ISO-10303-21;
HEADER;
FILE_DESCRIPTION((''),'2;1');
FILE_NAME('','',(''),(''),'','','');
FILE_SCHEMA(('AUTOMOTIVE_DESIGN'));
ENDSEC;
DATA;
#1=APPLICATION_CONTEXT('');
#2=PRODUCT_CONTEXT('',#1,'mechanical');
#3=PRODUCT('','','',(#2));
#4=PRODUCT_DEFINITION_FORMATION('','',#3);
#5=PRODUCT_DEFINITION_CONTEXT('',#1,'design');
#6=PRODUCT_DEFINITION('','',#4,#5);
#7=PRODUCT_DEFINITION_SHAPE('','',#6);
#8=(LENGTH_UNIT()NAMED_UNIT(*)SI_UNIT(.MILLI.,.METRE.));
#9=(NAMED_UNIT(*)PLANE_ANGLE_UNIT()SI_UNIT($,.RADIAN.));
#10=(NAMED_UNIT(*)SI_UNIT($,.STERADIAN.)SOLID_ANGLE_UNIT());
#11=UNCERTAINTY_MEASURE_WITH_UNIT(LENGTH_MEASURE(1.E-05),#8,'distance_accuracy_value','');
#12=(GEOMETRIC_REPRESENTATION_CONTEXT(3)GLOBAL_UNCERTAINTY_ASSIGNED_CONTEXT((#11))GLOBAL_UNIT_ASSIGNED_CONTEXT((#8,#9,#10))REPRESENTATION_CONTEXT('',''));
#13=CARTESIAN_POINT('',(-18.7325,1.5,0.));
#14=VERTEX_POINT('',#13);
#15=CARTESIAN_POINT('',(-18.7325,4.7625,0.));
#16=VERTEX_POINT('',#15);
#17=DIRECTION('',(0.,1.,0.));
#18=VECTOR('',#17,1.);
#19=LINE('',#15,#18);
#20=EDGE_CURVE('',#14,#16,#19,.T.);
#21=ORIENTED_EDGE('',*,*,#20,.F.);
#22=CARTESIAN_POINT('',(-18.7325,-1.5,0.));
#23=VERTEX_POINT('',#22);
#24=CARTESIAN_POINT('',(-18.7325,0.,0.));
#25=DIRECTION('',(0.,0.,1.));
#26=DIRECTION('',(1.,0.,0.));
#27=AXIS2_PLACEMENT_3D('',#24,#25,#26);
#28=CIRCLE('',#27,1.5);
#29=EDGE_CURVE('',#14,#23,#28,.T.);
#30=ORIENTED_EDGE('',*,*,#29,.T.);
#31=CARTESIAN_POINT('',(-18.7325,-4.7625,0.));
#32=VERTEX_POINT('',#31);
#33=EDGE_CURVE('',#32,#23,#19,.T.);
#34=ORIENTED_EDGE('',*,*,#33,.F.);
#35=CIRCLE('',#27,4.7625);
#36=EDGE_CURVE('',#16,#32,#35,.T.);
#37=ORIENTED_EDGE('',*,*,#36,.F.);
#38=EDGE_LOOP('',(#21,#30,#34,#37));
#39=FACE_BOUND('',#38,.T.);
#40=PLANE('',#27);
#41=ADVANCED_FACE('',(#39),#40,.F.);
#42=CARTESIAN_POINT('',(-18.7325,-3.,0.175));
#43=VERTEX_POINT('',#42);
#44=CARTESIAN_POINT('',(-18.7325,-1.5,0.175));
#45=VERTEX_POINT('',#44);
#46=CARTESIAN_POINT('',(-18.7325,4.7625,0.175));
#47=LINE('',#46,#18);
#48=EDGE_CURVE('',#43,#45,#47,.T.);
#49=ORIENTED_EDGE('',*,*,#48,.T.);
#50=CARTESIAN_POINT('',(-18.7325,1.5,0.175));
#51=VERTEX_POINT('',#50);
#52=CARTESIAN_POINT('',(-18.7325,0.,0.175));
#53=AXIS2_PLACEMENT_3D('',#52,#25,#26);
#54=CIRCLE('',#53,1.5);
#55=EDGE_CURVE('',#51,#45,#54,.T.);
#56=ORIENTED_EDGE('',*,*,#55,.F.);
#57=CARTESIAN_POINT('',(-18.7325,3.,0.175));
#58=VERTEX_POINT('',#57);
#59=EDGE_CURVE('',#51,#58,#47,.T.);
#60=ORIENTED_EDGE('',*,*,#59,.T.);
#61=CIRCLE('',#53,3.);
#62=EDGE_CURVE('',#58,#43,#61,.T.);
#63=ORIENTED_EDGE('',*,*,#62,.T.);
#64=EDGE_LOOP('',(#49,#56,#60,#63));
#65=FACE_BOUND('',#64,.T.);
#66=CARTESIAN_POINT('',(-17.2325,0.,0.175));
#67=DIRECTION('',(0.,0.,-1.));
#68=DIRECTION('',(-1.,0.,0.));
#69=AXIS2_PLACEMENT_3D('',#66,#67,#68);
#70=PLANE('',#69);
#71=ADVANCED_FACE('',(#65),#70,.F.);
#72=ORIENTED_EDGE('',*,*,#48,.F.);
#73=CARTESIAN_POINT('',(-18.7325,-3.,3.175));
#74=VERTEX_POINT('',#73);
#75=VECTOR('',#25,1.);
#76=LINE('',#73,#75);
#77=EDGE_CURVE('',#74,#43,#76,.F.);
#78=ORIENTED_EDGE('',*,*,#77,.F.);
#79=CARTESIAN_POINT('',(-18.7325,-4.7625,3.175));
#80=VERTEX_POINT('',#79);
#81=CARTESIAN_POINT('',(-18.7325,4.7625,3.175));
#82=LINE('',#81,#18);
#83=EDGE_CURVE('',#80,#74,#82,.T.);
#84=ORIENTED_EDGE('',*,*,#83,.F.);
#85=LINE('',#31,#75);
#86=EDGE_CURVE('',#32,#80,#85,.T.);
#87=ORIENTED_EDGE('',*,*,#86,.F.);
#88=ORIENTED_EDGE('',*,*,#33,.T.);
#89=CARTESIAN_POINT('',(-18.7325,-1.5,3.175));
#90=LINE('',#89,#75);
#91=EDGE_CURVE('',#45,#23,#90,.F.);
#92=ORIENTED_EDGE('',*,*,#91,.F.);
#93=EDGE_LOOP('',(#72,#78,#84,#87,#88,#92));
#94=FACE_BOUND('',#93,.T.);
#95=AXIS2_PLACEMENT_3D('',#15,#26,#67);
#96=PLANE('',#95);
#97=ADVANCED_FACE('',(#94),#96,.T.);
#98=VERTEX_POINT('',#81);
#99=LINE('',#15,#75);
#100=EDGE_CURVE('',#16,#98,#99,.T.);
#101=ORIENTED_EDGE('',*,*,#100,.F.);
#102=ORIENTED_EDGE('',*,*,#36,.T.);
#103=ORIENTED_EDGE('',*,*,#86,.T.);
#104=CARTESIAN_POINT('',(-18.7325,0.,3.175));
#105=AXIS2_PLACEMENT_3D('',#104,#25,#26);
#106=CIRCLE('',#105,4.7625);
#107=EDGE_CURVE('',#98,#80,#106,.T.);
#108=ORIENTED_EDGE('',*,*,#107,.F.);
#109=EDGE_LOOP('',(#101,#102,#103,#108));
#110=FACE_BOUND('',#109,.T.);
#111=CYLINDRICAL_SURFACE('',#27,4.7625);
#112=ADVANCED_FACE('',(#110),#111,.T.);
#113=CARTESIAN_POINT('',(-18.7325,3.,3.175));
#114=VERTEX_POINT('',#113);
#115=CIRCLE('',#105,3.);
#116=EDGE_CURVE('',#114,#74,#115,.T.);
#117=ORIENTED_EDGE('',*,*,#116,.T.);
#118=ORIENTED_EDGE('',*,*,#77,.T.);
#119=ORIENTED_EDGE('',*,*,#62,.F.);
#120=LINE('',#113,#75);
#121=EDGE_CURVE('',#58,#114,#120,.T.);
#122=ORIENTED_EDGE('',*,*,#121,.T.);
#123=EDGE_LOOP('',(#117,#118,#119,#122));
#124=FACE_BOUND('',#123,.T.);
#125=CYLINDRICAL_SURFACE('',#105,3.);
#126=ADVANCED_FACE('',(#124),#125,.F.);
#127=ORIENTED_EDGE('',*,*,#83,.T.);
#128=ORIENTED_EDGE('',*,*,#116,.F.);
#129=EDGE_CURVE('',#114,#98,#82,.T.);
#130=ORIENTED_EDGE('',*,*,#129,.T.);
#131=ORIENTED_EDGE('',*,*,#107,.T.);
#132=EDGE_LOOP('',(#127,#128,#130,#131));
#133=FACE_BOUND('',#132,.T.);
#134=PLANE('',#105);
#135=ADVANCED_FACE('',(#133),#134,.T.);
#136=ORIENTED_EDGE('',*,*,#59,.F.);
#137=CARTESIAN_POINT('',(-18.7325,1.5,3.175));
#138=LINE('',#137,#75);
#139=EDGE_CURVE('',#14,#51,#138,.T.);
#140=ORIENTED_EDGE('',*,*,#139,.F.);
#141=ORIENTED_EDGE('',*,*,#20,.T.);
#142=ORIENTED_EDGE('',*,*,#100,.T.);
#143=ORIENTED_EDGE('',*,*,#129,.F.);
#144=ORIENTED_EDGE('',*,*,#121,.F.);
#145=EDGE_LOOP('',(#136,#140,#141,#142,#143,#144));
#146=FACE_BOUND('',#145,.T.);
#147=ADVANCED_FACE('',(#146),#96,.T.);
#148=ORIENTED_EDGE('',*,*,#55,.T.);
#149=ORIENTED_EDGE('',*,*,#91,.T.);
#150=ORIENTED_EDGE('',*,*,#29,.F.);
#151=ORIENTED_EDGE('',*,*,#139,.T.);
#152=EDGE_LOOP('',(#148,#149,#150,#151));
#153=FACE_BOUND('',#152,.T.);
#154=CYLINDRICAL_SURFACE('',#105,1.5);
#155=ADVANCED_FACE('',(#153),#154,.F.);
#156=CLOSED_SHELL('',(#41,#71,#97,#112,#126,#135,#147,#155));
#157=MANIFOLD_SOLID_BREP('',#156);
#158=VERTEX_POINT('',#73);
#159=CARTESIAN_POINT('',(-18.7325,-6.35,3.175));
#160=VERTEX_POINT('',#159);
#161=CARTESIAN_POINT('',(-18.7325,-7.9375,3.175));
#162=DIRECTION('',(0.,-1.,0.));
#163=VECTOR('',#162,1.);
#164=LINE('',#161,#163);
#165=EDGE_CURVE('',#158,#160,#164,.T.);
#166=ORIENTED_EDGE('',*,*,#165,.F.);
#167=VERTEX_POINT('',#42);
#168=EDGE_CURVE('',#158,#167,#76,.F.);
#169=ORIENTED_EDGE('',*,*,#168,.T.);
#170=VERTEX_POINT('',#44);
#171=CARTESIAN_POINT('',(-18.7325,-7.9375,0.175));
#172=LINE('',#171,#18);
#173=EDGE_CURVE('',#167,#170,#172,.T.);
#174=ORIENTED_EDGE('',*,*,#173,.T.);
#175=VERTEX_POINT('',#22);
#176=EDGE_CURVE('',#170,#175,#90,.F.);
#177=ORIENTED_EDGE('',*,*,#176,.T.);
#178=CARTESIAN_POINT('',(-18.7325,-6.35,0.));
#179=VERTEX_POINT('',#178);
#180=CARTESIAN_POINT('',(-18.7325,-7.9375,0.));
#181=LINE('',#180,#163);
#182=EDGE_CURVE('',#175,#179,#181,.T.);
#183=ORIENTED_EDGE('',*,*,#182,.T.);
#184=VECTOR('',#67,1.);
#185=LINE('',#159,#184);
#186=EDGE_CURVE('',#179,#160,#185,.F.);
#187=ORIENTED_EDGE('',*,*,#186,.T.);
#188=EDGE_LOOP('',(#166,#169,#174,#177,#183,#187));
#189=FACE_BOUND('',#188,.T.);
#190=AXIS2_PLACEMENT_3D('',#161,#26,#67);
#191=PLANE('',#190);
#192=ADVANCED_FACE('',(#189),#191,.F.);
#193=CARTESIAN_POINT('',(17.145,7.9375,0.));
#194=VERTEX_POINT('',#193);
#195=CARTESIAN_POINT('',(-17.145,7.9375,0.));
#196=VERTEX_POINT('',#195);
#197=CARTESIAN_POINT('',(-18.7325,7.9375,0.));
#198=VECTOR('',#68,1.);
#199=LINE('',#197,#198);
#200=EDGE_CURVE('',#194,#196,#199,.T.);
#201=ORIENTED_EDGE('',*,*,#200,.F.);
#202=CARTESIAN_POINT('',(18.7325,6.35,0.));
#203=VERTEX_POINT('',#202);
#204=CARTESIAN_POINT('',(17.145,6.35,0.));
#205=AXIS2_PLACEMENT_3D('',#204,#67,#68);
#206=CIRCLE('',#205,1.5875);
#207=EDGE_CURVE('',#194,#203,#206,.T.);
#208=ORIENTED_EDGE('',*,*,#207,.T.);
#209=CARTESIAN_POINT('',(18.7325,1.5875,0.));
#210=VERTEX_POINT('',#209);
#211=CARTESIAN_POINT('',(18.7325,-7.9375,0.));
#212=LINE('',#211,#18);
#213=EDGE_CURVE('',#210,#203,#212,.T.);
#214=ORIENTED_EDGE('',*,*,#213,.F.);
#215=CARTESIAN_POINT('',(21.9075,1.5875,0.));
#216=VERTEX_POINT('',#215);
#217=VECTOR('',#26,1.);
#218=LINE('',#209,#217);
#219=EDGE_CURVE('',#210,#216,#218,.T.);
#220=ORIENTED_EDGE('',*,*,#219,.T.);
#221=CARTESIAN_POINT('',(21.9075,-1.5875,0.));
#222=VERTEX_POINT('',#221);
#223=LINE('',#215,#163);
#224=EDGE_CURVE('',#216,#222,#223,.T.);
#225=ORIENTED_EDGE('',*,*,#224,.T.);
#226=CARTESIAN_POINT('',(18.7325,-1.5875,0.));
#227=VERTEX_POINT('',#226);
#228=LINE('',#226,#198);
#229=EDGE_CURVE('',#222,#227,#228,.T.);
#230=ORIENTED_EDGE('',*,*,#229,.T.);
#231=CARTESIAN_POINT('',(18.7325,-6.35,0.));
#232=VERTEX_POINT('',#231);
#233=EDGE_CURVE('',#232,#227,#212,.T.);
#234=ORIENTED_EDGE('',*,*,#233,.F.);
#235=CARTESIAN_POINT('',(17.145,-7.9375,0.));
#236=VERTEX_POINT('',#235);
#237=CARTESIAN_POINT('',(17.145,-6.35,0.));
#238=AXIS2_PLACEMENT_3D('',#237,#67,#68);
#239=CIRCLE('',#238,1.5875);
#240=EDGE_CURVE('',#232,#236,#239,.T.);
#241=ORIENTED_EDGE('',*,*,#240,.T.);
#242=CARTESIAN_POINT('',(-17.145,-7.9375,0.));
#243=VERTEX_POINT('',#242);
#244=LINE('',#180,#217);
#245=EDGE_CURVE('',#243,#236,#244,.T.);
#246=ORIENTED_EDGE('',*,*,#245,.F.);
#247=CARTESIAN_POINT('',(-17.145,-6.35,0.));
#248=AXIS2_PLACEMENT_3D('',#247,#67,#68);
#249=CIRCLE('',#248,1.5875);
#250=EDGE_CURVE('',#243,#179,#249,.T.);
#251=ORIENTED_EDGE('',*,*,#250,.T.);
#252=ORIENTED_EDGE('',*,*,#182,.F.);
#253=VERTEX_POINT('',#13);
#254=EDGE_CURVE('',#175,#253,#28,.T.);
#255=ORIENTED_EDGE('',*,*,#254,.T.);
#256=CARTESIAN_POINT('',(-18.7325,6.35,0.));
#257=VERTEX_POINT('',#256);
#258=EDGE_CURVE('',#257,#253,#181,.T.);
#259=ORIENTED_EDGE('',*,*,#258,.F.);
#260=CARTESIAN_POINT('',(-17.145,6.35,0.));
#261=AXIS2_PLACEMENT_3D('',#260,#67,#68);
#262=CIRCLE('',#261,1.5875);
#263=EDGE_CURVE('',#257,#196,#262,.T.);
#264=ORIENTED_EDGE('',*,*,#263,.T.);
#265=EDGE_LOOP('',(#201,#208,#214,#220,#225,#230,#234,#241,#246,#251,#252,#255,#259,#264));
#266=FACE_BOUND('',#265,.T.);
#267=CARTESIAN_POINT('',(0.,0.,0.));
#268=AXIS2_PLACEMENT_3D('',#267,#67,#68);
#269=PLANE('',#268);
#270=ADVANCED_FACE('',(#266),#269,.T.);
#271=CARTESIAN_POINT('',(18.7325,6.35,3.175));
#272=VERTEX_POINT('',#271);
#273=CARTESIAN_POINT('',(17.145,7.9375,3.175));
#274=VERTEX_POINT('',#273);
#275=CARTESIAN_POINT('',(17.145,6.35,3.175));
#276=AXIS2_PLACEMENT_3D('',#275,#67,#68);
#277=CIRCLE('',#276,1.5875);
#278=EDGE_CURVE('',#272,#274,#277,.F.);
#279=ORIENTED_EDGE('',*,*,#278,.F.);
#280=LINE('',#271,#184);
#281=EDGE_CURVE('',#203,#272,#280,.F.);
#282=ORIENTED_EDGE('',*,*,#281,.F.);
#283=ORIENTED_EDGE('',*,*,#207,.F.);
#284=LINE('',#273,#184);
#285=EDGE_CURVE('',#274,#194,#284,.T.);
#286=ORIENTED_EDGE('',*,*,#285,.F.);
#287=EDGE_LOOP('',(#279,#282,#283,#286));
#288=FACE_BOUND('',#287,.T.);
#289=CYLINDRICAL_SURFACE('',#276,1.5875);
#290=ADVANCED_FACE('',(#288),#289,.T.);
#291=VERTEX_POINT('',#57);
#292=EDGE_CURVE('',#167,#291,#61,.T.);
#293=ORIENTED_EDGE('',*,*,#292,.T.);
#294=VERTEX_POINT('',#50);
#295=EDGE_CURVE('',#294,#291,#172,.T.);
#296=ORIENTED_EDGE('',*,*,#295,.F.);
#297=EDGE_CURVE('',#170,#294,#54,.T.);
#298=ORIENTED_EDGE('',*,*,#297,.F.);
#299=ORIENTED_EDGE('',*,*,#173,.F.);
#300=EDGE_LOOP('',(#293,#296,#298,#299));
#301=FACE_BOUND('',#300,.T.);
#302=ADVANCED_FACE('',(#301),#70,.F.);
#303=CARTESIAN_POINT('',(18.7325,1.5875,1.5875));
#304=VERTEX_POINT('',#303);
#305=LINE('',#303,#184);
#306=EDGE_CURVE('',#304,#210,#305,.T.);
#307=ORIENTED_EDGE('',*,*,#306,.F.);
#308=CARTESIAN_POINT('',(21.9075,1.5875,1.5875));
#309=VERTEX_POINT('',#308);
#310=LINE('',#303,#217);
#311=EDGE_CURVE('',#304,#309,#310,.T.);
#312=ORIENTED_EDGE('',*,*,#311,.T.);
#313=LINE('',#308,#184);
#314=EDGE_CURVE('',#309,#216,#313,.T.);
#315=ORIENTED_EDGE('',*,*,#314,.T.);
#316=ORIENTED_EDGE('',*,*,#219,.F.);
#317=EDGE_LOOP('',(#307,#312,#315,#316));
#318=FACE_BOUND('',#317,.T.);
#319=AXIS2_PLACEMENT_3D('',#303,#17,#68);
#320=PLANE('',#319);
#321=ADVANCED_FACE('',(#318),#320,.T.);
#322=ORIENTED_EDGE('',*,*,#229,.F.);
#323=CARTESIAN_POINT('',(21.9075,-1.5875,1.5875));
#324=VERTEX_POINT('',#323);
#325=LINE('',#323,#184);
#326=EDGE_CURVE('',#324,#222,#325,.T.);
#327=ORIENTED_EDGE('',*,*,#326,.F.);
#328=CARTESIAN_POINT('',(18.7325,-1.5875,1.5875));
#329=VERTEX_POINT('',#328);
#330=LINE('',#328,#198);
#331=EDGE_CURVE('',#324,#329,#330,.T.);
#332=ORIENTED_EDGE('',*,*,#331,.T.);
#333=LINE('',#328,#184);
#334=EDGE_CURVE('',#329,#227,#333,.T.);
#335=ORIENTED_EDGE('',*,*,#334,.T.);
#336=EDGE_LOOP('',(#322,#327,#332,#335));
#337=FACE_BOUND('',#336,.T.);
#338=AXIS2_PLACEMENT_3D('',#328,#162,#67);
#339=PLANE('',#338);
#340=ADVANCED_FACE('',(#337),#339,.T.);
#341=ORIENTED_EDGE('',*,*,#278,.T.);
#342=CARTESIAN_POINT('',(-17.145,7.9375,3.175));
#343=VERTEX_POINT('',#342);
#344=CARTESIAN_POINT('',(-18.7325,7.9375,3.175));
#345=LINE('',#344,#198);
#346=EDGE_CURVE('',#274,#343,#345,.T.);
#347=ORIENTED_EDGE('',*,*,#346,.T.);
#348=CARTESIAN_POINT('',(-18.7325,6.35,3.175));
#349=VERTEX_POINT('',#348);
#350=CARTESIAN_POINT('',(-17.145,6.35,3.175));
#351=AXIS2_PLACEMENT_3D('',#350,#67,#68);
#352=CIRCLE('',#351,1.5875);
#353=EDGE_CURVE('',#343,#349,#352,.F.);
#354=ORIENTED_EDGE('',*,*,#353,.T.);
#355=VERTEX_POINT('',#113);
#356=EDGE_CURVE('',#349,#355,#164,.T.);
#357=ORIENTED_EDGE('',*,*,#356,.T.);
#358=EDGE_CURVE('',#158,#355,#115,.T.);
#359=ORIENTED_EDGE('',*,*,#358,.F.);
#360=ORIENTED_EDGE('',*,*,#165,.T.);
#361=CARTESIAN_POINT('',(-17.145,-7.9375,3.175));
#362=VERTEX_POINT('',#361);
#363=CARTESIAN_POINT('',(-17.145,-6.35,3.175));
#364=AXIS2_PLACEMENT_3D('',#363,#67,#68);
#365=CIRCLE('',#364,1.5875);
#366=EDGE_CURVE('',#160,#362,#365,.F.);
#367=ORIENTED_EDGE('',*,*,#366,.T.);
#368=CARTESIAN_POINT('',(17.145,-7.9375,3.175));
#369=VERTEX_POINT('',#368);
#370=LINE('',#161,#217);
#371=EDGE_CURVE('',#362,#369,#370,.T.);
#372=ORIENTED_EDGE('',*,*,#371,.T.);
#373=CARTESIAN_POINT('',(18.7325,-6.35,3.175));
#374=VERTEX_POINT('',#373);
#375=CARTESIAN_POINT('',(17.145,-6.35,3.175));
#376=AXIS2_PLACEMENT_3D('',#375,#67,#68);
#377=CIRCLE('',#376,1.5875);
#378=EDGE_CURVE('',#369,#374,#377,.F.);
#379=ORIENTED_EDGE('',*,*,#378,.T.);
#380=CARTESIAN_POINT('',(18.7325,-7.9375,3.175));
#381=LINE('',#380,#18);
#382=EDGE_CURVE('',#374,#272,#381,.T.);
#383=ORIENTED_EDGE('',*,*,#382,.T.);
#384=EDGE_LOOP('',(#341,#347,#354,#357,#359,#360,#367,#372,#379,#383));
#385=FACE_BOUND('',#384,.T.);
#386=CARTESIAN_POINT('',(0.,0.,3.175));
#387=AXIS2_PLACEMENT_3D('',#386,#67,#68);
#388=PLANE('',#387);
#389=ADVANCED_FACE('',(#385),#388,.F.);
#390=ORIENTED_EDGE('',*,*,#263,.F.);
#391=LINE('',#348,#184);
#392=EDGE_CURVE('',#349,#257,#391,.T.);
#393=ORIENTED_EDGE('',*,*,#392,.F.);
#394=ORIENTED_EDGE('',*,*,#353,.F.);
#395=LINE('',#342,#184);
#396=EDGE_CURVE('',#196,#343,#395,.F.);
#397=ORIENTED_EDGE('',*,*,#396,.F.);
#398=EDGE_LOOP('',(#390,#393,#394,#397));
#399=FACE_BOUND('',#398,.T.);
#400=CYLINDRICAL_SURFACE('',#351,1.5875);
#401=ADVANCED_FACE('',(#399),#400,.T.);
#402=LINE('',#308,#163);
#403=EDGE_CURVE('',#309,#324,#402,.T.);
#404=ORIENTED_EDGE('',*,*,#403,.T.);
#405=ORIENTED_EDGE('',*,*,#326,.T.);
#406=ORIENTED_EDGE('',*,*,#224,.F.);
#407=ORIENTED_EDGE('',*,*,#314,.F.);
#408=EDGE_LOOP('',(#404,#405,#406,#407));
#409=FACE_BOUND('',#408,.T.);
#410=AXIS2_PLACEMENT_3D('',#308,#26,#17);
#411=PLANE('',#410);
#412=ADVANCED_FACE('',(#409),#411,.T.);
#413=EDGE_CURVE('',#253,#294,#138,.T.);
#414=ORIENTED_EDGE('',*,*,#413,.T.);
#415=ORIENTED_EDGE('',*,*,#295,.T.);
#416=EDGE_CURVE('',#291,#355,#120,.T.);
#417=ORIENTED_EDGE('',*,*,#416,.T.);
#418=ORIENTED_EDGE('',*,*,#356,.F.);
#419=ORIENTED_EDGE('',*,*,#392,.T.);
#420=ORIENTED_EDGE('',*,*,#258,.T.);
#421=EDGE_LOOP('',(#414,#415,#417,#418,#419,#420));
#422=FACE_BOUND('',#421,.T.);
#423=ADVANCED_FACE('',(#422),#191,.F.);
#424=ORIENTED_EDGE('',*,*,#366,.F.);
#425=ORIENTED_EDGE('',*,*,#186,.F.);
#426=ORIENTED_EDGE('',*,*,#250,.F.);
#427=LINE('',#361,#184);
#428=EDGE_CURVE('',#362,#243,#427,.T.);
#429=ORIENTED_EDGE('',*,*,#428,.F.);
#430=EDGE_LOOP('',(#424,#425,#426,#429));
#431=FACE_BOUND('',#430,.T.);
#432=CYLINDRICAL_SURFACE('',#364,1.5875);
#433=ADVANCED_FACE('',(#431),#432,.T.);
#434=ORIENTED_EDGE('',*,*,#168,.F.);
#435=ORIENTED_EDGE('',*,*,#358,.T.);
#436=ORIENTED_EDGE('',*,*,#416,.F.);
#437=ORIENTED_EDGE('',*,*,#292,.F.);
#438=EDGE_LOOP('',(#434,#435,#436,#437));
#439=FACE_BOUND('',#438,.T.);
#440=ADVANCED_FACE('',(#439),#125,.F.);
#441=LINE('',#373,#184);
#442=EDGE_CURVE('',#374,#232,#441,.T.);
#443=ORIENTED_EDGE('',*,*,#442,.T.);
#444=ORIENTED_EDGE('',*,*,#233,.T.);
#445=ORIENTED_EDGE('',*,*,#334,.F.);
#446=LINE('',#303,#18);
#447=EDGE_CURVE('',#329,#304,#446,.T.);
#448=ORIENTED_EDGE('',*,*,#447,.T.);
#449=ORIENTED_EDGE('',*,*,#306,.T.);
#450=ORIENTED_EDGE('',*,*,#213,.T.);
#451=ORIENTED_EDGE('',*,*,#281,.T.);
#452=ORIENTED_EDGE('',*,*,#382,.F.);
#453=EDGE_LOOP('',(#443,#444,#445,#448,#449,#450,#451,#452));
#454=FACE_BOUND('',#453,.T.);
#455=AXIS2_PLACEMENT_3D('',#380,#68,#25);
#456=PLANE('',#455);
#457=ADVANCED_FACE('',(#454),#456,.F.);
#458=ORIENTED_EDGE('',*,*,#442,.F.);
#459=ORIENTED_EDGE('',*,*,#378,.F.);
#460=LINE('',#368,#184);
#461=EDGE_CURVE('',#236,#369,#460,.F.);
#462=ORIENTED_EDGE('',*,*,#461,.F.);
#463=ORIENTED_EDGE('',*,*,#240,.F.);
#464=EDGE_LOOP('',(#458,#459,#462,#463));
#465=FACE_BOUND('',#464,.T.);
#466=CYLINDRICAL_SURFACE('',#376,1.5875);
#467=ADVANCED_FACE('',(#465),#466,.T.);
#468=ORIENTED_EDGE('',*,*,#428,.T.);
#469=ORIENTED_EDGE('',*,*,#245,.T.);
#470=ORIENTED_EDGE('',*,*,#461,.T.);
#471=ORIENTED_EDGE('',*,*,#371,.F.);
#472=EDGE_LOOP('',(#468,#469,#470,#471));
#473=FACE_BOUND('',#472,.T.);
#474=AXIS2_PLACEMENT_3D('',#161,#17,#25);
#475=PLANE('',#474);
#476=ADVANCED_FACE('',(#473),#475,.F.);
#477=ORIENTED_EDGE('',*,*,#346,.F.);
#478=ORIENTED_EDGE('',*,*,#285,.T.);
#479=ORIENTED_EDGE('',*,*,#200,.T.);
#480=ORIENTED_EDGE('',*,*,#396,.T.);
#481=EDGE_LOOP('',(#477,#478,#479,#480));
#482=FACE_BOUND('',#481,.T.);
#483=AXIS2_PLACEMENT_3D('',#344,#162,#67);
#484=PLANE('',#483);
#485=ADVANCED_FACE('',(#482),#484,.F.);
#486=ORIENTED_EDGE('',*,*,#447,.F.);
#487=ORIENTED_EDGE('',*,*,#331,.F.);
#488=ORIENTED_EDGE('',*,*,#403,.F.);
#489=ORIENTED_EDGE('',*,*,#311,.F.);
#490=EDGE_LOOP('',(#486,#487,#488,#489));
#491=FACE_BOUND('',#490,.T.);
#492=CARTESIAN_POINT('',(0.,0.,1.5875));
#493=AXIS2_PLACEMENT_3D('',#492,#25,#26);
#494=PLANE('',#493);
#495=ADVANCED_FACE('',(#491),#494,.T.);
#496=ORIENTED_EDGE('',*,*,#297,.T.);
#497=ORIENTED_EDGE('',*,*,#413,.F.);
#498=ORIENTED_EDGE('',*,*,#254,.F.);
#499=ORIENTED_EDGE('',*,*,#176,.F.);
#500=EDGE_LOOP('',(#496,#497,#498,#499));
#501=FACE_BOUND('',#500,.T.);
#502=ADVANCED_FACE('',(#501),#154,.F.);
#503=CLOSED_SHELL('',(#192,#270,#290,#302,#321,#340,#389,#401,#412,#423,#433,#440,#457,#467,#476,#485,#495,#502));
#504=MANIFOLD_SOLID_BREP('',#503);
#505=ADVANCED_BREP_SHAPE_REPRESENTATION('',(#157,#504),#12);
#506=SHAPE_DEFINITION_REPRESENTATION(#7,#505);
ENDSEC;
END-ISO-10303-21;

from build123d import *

# Parameters (mm, degrees)
SKETCH1_W           = 37.465
SKETCH1_H           = 15.875
BOSS_EXTRUDE1_DEPTH = 3.175
BOSS_EXTRUDE2_DEPTH = 3.175
FILLET2_R           = 1.5875
SKETCH5_W           = 3.175
SKETCH5_H           = 3.175
BOSS_EXTRUDE3_DEPTH = 1.5875


with BuildPart() as part:
    # Sketch1 → Boss-Extrude1 (new body)
    with BuildSketch(Plane.XY):
        Rectangle(SKETCH1_W, SKETCH1_H)
    extrude(amount=BOSS_EXTRUDE1_DEPTH)


with BuildPart() as body_2:
    # Sketch2 → Boss-Extrude2 (new body)
    with BuildSketch(Plane.XY.offset(3.175)):
        with BuildLine():
            Line((-18.7325, 4.7625), (-18.7325, -4.7625))
            ThreePointArc((-18.7325, -4.7625), (-23.495, 0), (-18.7325, 4.7625))
        make_face()
    extrude(amount=-BOSS_EXTRUDE2_DEPTH)


with BuildPart() as cbore_for_00_binding_head_machine_screw_tool:
    # Sketch4 → CBORE for #00 Binding Head Machine Screw1 (revolve)
    with BuildSketch(Plane(origin=(-18.7325, 0, 3.175), x_dir=(0, -1, 0), z_dir=(1, 0, 0))):
        Polygon((0, 0), (0, 3.175), (1.500000048, 3.175), (1.500000048, 3.000000096), (2.999999969, 3.000000096), (2.999999969, 0), align=None)
    revolve(axis=Axis((-18.7325, 0, 9.525), (0, 0, -1)))


with BuildPart() as part_1:
    add(part.part)

    # CBORE for #00 Binding Head Machine Screw1: cut by cbore_for_00_binding_head_machine_screw_tool
    add(cbore_for_00_binding_head_machine_screw_tool.part, mode=Mode.SUBTRACT)

    # Fillet2
    fillet2_edges = [part_1.edges().sort_by_distance(p)[0] for p in [
        (18.7325, -7.9375, 1.5875),
        (-18.7325, -7.9375, 1.5875),
        (-18.7325, 7.9375, 1.5875),
        (18.7325, 7.9375, 1.5875),
    ]]
    fillet(fillet2_edges, radius=FILLET2_R)

    # Sketch5 → Boss-Extrude3 (add)
    with BuildSketch(Plane(origin=(0, 0, 0), x_dir=(-1, 0, 0), z_dir=(0, 0, -1))):
        with Locations((-20.32, 0)):
            Rectangle(SKETCH5_W, SKETCH5_H)
    extrude(amount=-BOSS_EXTRUDE3_DEPTH)


with BuildPart() as body_2_1:
    add(body_2.part)

    # CBORE for #00 Binding Head Machine Screw1: cut by cbore_for_00_binding_head_machine_screw_tool
    add(cbore_for_00_binding_head_machine_screw_tool.part, mode=Mode.SUBTRACT)


solid = Compound([part_1.part, body_2_1.part])
